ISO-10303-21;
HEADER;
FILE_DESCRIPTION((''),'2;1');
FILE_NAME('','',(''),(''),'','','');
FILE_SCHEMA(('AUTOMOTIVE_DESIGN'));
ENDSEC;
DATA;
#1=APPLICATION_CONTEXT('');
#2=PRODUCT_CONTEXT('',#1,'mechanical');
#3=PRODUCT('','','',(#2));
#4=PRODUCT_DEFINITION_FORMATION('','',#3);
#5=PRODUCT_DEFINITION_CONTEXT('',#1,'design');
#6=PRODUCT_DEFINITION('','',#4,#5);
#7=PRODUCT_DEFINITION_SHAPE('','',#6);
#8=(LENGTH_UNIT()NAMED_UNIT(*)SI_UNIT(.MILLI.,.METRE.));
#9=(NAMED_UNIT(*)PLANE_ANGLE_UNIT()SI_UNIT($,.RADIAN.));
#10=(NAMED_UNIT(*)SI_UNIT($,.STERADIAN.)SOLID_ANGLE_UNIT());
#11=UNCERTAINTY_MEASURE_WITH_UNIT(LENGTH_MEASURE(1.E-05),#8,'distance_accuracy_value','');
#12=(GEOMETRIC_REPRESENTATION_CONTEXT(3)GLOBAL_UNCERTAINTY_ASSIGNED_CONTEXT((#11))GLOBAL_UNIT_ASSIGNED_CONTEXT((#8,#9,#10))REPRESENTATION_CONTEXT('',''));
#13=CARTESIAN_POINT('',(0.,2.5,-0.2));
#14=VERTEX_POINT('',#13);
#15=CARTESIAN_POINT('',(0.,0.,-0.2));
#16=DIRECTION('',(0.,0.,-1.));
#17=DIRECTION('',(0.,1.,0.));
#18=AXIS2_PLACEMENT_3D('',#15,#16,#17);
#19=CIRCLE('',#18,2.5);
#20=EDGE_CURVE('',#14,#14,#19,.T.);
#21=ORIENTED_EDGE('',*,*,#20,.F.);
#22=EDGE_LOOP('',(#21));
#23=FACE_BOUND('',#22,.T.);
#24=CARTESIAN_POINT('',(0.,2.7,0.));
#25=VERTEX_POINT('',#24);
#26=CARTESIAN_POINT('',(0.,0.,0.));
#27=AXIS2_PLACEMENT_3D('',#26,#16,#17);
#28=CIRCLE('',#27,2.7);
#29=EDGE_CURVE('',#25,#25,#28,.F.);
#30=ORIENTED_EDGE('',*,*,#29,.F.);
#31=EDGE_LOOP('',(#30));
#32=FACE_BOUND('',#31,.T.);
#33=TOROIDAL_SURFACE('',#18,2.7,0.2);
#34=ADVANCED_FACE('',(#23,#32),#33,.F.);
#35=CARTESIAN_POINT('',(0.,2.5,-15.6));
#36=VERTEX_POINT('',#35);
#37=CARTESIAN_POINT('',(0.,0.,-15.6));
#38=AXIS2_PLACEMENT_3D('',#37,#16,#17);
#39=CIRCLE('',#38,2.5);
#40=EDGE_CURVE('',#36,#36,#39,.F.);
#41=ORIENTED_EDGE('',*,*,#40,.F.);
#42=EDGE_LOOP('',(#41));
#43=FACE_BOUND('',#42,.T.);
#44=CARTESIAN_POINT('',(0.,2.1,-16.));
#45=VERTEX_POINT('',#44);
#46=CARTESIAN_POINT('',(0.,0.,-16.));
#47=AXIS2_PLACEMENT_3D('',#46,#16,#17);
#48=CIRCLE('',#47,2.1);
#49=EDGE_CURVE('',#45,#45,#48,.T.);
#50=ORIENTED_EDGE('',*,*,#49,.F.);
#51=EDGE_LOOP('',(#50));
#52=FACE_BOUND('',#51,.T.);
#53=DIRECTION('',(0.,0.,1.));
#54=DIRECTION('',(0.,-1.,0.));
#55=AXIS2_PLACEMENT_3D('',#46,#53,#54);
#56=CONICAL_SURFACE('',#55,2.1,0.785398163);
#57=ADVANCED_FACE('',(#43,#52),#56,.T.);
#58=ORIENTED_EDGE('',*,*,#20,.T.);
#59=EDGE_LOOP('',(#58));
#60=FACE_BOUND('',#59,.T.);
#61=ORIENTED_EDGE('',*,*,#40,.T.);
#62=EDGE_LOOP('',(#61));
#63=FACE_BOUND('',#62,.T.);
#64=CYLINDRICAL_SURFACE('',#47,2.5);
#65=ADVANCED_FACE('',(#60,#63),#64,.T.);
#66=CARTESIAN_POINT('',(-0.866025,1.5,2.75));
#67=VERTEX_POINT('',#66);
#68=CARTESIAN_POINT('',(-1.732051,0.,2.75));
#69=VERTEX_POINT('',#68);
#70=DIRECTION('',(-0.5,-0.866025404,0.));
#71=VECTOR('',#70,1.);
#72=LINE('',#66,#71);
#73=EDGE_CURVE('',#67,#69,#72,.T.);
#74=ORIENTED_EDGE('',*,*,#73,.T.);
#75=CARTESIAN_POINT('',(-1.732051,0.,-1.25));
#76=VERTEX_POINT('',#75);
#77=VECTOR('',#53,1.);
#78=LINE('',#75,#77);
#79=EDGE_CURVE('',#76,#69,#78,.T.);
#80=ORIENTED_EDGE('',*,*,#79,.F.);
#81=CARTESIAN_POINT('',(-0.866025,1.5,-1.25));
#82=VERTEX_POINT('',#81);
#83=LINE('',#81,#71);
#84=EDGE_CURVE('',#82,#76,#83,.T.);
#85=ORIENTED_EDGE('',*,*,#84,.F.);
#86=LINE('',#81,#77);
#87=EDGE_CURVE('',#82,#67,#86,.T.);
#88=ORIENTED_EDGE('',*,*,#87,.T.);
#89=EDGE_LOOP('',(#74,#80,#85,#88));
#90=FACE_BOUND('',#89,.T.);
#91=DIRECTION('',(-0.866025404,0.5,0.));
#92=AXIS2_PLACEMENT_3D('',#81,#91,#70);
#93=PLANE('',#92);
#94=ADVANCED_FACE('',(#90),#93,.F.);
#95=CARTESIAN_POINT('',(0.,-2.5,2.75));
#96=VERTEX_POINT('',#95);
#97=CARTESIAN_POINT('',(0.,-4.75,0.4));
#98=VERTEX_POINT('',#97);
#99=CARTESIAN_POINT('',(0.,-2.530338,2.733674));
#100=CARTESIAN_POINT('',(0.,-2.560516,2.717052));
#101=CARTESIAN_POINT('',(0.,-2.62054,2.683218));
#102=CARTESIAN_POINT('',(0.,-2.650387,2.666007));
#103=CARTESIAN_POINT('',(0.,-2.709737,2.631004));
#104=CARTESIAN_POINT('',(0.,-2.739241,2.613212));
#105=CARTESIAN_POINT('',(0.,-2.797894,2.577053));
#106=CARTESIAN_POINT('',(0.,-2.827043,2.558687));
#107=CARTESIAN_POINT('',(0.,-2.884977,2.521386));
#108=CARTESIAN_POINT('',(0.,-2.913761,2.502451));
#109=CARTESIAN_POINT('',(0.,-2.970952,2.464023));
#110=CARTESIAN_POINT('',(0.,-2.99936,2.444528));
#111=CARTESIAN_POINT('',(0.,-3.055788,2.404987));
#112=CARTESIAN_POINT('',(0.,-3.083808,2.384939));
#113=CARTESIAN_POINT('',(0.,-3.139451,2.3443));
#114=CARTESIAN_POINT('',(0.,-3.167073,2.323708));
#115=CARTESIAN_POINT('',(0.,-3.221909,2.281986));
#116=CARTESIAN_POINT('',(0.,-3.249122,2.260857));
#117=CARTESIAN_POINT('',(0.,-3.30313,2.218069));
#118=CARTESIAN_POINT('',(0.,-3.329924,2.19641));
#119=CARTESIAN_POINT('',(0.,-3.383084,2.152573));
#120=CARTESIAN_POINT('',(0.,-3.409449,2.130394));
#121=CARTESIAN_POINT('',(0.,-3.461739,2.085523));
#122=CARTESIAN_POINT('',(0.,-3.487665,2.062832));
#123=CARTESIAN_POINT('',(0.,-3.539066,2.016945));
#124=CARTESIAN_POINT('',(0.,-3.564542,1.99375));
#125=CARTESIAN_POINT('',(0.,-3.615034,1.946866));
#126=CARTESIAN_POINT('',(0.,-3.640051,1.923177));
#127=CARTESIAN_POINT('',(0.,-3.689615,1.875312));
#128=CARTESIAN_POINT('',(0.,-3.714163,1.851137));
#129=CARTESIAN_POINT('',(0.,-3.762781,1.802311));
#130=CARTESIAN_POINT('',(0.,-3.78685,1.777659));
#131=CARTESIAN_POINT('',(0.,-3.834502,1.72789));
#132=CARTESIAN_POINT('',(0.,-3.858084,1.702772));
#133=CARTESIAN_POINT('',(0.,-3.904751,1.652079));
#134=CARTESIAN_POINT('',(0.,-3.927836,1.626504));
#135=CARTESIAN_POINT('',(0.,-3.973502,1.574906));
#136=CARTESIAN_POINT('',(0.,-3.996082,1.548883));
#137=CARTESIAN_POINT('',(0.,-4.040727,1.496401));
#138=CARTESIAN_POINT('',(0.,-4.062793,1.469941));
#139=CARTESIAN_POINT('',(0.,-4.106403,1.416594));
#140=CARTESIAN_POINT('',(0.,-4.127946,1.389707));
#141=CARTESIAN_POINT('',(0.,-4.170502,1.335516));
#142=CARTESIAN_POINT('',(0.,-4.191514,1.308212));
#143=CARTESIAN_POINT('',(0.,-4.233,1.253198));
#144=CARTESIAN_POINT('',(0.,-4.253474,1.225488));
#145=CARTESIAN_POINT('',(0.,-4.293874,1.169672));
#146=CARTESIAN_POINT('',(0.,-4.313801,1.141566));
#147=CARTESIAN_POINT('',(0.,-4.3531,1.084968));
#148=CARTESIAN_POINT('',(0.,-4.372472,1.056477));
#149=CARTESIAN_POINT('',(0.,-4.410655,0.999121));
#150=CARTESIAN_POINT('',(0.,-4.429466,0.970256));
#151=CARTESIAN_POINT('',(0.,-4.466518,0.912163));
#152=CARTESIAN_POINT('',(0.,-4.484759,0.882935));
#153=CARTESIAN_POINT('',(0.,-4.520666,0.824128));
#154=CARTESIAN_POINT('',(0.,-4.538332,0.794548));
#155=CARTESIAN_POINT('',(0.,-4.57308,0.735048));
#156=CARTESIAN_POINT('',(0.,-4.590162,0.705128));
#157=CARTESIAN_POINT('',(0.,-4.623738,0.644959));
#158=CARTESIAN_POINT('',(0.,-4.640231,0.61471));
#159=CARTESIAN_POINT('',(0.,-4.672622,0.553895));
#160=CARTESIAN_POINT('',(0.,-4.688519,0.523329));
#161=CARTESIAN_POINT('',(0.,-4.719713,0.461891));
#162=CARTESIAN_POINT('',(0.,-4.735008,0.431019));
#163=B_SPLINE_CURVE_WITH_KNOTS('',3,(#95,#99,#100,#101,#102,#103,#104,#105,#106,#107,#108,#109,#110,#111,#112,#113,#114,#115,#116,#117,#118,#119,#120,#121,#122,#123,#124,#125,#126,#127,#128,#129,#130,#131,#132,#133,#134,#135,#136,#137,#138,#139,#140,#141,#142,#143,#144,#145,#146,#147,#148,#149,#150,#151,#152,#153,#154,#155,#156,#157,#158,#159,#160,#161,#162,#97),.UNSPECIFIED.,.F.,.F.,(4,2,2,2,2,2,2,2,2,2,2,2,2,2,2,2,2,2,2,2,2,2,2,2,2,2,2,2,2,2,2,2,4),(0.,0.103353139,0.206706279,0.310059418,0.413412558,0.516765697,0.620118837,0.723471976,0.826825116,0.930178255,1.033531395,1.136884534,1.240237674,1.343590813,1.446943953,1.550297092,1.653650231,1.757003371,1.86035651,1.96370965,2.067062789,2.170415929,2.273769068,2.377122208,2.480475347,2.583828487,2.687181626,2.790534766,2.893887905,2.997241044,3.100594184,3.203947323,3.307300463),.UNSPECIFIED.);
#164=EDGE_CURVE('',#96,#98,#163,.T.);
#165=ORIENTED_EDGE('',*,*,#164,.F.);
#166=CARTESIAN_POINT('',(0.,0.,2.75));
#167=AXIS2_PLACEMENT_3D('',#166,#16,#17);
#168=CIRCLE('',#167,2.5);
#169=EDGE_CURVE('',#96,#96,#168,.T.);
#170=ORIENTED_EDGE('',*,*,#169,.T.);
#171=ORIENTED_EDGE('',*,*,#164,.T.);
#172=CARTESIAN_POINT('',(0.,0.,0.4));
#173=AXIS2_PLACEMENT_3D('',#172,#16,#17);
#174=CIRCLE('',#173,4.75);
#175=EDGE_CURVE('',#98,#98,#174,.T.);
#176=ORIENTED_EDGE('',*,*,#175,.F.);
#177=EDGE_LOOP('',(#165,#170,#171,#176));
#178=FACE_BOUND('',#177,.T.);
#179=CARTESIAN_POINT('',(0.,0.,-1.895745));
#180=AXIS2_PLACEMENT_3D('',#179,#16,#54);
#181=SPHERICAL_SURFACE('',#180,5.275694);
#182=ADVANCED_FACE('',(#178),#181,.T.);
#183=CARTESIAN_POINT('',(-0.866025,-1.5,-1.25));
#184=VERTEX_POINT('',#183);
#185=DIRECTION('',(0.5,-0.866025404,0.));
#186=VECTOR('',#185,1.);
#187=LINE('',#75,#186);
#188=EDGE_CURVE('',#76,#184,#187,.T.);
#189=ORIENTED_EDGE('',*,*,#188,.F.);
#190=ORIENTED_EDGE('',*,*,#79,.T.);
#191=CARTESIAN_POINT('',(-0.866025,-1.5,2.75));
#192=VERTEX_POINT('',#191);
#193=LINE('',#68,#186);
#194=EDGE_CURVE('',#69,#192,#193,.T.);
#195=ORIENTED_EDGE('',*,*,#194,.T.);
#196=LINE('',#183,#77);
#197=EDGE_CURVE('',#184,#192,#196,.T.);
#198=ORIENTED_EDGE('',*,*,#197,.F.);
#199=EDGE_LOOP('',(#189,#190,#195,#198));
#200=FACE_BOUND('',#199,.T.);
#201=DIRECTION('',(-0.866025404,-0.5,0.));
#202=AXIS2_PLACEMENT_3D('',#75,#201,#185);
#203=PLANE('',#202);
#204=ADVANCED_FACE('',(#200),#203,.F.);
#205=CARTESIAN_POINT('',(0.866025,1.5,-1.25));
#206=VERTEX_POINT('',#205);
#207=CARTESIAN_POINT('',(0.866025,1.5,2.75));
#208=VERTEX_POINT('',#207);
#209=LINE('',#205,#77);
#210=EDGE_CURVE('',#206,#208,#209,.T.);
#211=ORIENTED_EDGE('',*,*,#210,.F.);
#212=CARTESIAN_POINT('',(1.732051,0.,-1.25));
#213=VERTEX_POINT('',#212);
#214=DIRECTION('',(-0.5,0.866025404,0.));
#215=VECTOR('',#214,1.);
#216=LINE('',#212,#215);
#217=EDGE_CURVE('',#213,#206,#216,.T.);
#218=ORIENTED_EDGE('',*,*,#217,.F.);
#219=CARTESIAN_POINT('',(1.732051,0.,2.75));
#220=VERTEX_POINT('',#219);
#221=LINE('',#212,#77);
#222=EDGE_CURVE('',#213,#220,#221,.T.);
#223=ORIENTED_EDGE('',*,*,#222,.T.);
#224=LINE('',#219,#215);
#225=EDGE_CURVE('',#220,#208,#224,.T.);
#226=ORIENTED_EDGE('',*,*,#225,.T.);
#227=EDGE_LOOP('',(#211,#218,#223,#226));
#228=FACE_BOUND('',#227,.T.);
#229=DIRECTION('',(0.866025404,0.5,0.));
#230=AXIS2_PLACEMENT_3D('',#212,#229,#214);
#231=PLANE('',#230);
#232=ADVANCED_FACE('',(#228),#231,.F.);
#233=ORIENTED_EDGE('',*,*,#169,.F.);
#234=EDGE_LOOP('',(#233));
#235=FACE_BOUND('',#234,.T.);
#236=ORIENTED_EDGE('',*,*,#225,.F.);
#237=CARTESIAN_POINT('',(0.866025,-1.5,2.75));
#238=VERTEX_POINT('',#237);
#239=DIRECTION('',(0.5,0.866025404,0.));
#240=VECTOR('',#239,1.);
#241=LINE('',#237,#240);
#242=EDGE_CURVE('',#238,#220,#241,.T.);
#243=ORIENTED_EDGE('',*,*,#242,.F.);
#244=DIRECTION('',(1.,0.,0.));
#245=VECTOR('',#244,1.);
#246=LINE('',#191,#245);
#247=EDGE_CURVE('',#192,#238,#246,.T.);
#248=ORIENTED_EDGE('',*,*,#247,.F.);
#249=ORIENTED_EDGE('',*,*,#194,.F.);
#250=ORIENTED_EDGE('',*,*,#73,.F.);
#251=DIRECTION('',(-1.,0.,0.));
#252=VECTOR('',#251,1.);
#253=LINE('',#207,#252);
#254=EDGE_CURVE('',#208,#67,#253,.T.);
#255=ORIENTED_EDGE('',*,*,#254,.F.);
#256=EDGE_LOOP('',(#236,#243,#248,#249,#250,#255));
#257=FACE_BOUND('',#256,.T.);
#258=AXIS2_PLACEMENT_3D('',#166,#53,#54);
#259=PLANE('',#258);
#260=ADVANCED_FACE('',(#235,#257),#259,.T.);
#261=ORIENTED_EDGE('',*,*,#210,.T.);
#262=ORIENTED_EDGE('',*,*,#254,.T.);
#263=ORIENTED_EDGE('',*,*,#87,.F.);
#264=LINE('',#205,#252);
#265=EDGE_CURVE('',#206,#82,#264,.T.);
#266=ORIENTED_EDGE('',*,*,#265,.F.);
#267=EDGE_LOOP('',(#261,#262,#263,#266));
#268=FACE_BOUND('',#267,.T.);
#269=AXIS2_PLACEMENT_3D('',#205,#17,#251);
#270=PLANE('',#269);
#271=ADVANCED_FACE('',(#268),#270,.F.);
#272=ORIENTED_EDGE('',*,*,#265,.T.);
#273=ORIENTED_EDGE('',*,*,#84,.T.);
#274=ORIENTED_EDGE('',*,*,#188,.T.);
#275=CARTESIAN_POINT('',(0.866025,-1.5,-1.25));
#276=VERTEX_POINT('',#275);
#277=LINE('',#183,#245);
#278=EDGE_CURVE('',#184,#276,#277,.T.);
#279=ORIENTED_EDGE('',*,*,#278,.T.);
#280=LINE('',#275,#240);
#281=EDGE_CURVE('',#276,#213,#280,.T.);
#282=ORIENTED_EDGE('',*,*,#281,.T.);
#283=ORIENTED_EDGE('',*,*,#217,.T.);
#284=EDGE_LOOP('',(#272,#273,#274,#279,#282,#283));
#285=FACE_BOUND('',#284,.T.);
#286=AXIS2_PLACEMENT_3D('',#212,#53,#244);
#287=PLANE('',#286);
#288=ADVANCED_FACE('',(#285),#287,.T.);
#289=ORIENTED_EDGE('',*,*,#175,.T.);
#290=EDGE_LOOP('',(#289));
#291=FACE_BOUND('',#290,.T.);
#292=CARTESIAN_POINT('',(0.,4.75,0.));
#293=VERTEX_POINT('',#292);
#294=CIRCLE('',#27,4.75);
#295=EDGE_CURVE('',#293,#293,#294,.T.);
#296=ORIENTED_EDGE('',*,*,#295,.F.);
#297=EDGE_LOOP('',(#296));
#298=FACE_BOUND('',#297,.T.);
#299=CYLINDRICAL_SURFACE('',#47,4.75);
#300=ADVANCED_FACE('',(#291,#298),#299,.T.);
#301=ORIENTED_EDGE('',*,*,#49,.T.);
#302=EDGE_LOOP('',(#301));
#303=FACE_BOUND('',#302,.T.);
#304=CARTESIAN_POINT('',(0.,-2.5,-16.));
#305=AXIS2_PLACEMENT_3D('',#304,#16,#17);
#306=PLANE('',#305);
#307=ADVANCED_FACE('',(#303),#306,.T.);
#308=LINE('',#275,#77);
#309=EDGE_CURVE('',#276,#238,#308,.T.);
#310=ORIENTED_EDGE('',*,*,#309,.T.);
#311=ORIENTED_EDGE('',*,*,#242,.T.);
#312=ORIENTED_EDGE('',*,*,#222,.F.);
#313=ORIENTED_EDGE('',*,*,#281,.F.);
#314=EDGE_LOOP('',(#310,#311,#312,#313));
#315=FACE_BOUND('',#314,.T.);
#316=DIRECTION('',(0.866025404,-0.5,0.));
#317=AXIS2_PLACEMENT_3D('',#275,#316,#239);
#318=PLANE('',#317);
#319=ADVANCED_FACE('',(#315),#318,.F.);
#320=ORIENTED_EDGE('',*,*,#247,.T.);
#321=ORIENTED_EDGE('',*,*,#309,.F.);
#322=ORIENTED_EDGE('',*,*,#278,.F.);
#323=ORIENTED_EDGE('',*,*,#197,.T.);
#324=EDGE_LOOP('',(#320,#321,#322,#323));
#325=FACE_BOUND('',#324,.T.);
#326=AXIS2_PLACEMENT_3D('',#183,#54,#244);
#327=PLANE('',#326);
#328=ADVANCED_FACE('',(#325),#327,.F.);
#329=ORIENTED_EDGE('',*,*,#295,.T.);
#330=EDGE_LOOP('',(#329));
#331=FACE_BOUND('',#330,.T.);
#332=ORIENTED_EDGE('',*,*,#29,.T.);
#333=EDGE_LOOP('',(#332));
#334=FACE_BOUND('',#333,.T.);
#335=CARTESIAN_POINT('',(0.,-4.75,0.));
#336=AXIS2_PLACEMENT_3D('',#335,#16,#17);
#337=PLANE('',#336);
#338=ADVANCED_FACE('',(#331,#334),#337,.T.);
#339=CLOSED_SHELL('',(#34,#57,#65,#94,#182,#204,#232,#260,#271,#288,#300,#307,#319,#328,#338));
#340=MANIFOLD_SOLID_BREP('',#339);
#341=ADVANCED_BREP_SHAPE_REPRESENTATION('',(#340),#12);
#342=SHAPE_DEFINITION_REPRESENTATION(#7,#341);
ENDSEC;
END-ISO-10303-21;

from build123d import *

# Parameters (mm, degrees)
CUT_EXTRUDE1_DEPTH = 4
CHAMFER1_SIZE      = 0.4
FILLET1_R          = 0.2


with BuildPart() as part:
    # Sketch1 → Revolve1 (revolve)
    with BuildSketch(Plane(origin=(0, 0, 0), x_dir=(0, 0, -1), z_dir=(1, 0, 0))):
        with BuildLine():
            Line((-0.4, 4.75), (0, 4.75))
            Line((0, 4.75), (0, 2.5))
            Line((0, 2.5), (16, 2.5))
            Line((16, 2.5), (16, 0))
            Line((16, 0), (-2.75, 0))
            Line((-2.75, 0), (-2.75, 2.5))
            ThreePointArc((-2.75, 2.5), (-1.752774696, 3.810675793), (-0.4, 4.75))
        make_face()
    revolve(axis=Axis((0, 0, -16), (0, 0, 1)))

    # Sketch2 → Cut-Extrude1 (cut)
    with BuildSketch(Plane.XY.offset(2.75)):
        Polygon((1.732050808, 0), (0.866025404, 1.5), (-0.866025404, 1.5), (-1.732050808, 0), (-0.866025404, -1.5), (0.866025404, -1.5), align=None)
    extrude(amount=-CUT_EXTRUDE1_DEPTH, mode=Mode.SUBTRACT)

    # Chamfer1
    chamfer1_edges = [part.edges().sort_by_distance(p)[0] for p in [
        (0, -2.5, -16),
    ]]
    chamfer(chamfer1_edges, length=CHAMFER1_SIZE)

    # Fillet1
    fillet1_edges = [part.edges().sort_by_distance(p)[0] for p in [
        (0, -2.5, 0),
    ]]
    fillet(fillet1_edges, radius=FILLET1_R)


solid = part.part
